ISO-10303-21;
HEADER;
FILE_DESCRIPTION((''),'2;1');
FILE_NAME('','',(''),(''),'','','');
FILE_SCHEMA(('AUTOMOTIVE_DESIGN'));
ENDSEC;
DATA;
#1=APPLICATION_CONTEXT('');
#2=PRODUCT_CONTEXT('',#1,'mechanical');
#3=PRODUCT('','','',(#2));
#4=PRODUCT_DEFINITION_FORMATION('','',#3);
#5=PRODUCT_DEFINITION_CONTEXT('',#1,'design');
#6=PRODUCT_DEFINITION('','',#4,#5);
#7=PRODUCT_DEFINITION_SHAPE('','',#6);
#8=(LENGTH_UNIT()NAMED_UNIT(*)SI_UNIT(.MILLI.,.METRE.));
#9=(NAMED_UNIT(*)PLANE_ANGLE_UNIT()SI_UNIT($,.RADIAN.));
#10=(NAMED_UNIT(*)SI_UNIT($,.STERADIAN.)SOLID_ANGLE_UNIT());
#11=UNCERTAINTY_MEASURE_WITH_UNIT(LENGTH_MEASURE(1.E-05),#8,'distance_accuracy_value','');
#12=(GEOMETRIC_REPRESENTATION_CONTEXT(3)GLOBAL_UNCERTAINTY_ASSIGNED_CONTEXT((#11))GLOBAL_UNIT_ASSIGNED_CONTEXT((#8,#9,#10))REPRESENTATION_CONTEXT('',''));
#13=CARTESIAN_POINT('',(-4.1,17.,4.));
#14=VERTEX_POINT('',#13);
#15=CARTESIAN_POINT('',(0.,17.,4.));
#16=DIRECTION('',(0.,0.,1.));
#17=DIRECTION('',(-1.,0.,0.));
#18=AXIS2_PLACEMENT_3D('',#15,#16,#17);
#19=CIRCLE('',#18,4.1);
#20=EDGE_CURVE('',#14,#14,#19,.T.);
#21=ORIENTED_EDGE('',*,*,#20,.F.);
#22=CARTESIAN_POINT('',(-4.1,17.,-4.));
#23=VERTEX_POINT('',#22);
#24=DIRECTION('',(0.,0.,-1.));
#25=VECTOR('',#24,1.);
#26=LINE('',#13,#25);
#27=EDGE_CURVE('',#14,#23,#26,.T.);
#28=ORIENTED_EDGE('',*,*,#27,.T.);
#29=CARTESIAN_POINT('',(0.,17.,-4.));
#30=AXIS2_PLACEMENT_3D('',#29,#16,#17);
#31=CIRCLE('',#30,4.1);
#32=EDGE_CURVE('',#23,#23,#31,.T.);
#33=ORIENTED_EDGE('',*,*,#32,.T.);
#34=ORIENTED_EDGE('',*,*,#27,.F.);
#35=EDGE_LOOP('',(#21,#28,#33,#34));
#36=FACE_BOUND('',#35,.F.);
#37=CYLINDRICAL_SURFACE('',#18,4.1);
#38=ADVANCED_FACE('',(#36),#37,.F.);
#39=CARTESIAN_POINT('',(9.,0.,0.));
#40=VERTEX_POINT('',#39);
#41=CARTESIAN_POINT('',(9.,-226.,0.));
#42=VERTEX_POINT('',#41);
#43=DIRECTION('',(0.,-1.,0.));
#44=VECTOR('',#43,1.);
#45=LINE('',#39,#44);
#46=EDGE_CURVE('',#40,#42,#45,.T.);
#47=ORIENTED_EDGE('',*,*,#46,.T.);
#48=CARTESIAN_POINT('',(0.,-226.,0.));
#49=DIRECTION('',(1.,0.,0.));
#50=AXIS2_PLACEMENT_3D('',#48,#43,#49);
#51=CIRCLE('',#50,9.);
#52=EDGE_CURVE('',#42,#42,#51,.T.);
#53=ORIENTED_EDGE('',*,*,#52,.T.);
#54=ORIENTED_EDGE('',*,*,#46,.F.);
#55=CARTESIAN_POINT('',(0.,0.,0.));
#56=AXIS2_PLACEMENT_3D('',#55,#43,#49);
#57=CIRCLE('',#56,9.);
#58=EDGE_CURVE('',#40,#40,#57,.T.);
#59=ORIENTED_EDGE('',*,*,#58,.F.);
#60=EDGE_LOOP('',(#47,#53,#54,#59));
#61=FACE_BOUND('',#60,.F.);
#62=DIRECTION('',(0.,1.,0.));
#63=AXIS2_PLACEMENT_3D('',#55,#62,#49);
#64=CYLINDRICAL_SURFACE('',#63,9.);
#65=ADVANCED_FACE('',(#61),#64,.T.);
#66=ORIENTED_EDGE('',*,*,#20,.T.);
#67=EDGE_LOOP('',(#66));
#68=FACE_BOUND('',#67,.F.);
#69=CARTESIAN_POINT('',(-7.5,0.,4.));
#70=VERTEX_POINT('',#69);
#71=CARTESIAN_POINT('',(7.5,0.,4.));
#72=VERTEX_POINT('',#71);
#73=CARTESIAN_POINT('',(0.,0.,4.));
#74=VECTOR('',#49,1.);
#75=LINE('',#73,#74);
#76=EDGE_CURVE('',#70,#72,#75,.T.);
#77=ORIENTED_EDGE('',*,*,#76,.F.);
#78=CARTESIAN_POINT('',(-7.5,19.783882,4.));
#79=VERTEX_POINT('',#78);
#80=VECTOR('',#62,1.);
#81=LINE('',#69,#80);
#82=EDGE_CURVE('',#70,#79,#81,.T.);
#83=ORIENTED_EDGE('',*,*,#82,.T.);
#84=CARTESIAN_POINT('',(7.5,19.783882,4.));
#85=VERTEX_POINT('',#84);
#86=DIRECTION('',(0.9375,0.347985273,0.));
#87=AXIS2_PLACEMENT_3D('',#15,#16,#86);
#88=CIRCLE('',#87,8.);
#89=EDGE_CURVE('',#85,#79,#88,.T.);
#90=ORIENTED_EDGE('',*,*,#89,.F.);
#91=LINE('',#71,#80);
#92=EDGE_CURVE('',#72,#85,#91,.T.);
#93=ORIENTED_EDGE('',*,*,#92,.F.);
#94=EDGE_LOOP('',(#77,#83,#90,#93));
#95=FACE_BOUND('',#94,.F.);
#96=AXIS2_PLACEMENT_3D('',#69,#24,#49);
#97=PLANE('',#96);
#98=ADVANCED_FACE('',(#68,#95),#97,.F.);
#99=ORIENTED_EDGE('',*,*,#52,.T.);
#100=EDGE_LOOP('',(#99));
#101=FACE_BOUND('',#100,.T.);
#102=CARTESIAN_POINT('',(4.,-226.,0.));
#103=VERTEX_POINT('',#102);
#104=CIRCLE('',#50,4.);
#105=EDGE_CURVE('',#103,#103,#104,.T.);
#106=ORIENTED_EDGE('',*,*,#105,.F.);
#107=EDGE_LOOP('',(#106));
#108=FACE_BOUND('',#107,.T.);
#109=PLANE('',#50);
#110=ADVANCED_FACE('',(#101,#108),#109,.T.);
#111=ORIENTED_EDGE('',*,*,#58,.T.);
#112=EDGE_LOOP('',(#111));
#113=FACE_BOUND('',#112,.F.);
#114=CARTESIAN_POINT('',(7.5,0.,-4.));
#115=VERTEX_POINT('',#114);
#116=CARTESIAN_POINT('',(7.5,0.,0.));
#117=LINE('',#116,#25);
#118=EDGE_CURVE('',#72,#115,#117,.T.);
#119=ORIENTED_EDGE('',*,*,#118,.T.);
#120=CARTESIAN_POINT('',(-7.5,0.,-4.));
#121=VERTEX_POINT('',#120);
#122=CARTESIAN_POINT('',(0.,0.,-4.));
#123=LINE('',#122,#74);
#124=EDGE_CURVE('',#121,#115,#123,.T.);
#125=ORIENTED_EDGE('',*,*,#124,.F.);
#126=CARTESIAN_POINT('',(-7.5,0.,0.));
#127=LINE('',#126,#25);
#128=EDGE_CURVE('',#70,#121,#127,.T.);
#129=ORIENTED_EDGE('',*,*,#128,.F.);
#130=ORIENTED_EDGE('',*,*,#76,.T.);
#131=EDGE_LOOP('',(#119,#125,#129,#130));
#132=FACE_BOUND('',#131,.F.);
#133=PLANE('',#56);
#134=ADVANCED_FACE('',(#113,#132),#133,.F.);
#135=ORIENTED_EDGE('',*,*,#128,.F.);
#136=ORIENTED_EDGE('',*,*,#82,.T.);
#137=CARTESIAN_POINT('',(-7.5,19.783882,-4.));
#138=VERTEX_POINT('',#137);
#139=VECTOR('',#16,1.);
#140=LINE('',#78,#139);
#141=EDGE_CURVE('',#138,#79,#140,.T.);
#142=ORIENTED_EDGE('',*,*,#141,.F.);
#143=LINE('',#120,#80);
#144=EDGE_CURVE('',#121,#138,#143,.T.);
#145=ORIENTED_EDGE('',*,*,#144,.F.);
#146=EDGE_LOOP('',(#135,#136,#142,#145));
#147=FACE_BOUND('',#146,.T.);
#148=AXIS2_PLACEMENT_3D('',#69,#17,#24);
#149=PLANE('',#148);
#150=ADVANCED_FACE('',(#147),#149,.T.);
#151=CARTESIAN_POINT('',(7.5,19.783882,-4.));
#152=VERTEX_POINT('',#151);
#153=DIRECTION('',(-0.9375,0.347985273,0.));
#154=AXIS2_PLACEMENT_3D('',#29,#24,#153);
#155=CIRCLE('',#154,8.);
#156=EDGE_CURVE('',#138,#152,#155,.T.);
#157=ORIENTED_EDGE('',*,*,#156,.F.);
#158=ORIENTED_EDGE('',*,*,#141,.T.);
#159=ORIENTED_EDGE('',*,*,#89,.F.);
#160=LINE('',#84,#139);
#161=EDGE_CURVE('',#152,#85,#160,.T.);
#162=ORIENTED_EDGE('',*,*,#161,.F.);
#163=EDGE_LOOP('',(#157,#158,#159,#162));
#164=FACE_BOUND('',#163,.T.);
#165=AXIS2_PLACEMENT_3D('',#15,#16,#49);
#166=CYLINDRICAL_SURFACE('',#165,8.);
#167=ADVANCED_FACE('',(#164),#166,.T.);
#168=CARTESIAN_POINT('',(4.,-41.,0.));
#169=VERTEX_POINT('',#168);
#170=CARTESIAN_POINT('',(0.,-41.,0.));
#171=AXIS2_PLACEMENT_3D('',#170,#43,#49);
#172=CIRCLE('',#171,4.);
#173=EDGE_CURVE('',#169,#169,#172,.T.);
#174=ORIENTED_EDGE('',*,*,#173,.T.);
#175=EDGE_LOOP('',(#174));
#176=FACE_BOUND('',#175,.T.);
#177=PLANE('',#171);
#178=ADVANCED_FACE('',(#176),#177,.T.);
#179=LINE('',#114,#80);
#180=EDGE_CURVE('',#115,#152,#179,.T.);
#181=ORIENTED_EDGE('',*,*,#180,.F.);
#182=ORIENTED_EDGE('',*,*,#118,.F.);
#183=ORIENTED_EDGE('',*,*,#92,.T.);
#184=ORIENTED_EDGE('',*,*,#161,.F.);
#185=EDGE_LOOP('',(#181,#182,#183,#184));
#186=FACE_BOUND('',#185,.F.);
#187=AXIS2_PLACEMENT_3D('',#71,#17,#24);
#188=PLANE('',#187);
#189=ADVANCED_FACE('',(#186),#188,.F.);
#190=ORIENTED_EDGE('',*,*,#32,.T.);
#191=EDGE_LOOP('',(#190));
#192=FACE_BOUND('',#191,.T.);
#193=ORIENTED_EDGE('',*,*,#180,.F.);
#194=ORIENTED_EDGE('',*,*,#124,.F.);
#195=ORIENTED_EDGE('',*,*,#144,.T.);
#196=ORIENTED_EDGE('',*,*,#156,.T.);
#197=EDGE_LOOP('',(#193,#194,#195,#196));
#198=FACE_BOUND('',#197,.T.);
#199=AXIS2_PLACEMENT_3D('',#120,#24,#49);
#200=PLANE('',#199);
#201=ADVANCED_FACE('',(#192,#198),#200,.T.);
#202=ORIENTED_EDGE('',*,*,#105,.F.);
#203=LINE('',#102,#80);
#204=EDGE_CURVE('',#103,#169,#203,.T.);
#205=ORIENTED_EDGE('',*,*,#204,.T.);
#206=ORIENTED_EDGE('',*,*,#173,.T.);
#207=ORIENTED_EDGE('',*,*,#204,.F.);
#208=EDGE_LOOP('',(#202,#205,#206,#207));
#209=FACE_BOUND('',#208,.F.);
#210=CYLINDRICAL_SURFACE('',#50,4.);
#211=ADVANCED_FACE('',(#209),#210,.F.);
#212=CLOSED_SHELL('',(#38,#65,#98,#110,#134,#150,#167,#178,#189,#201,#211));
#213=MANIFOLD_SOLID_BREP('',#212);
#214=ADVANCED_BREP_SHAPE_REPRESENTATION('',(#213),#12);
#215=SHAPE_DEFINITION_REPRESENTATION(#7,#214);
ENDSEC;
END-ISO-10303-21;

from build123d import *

# Parameters (mm, degrees)
SKETCH_R        = 9
PAD_DEPTH       = 226
SKETCH001_W     = 15
SKETCH001_H     = 8
PAD001_DEPTH    = 25
SKETCH002_R     = 4.1
POCKET_DEPTH    = 13.001
SKETCH003_R     = 4
POCKET001_DEPTH = 185


with BuildPart() as part:
    # Sketch → Pad (new body)
    with BuildSketch(Plane.XZ):
        Circle(SKETCH_R)
    extrude(amount=PAD_DEPTH)

    # Sketch001 (on Face2 of Pad) → Pad001 (join)
    with BuildSketch(Plane(origin=(0, 0, 0), x_dir=(1, 0, 0), z_dir=(0, 1, 0))):
        Rectangle(SKETCH001_W, SKETCH001_H)
    extrude(amount=PAD001_DEPTH)

    # Sketch002 (on Face6 of Pad001) → Pocket (cut, through all)
    with BuildSketch(Plane(origin=(0, 0, 4), x_dir=(-1, 0, 0), z_dir=(0, 0, 1))):
        with Locations((0, -17)):
            Circle(SKETCH002_R)
        with BuildLine():
            ThreePointArc((-8, -17), (0, -25), (8, -17))
            Line((8, -26), (8, -17))
            Line((-8, -26), (8, -26))
            Line((-8, -17), (-8, -26))
        make_face()
    extrude(amount=-POCKET_DEPTH, mode=Mode.SUBTRACT)

    # Sketch003 (on Face3 of Pocket) → Pocket001 (cut)
    with BuildSketch(Plane.XZ.offset(226)):
        Circle(SKETCH003_R)
    extrude(amount=-POCKET001_DEPTH, mode=Mode.SUBTRACT)


solid = part.part
